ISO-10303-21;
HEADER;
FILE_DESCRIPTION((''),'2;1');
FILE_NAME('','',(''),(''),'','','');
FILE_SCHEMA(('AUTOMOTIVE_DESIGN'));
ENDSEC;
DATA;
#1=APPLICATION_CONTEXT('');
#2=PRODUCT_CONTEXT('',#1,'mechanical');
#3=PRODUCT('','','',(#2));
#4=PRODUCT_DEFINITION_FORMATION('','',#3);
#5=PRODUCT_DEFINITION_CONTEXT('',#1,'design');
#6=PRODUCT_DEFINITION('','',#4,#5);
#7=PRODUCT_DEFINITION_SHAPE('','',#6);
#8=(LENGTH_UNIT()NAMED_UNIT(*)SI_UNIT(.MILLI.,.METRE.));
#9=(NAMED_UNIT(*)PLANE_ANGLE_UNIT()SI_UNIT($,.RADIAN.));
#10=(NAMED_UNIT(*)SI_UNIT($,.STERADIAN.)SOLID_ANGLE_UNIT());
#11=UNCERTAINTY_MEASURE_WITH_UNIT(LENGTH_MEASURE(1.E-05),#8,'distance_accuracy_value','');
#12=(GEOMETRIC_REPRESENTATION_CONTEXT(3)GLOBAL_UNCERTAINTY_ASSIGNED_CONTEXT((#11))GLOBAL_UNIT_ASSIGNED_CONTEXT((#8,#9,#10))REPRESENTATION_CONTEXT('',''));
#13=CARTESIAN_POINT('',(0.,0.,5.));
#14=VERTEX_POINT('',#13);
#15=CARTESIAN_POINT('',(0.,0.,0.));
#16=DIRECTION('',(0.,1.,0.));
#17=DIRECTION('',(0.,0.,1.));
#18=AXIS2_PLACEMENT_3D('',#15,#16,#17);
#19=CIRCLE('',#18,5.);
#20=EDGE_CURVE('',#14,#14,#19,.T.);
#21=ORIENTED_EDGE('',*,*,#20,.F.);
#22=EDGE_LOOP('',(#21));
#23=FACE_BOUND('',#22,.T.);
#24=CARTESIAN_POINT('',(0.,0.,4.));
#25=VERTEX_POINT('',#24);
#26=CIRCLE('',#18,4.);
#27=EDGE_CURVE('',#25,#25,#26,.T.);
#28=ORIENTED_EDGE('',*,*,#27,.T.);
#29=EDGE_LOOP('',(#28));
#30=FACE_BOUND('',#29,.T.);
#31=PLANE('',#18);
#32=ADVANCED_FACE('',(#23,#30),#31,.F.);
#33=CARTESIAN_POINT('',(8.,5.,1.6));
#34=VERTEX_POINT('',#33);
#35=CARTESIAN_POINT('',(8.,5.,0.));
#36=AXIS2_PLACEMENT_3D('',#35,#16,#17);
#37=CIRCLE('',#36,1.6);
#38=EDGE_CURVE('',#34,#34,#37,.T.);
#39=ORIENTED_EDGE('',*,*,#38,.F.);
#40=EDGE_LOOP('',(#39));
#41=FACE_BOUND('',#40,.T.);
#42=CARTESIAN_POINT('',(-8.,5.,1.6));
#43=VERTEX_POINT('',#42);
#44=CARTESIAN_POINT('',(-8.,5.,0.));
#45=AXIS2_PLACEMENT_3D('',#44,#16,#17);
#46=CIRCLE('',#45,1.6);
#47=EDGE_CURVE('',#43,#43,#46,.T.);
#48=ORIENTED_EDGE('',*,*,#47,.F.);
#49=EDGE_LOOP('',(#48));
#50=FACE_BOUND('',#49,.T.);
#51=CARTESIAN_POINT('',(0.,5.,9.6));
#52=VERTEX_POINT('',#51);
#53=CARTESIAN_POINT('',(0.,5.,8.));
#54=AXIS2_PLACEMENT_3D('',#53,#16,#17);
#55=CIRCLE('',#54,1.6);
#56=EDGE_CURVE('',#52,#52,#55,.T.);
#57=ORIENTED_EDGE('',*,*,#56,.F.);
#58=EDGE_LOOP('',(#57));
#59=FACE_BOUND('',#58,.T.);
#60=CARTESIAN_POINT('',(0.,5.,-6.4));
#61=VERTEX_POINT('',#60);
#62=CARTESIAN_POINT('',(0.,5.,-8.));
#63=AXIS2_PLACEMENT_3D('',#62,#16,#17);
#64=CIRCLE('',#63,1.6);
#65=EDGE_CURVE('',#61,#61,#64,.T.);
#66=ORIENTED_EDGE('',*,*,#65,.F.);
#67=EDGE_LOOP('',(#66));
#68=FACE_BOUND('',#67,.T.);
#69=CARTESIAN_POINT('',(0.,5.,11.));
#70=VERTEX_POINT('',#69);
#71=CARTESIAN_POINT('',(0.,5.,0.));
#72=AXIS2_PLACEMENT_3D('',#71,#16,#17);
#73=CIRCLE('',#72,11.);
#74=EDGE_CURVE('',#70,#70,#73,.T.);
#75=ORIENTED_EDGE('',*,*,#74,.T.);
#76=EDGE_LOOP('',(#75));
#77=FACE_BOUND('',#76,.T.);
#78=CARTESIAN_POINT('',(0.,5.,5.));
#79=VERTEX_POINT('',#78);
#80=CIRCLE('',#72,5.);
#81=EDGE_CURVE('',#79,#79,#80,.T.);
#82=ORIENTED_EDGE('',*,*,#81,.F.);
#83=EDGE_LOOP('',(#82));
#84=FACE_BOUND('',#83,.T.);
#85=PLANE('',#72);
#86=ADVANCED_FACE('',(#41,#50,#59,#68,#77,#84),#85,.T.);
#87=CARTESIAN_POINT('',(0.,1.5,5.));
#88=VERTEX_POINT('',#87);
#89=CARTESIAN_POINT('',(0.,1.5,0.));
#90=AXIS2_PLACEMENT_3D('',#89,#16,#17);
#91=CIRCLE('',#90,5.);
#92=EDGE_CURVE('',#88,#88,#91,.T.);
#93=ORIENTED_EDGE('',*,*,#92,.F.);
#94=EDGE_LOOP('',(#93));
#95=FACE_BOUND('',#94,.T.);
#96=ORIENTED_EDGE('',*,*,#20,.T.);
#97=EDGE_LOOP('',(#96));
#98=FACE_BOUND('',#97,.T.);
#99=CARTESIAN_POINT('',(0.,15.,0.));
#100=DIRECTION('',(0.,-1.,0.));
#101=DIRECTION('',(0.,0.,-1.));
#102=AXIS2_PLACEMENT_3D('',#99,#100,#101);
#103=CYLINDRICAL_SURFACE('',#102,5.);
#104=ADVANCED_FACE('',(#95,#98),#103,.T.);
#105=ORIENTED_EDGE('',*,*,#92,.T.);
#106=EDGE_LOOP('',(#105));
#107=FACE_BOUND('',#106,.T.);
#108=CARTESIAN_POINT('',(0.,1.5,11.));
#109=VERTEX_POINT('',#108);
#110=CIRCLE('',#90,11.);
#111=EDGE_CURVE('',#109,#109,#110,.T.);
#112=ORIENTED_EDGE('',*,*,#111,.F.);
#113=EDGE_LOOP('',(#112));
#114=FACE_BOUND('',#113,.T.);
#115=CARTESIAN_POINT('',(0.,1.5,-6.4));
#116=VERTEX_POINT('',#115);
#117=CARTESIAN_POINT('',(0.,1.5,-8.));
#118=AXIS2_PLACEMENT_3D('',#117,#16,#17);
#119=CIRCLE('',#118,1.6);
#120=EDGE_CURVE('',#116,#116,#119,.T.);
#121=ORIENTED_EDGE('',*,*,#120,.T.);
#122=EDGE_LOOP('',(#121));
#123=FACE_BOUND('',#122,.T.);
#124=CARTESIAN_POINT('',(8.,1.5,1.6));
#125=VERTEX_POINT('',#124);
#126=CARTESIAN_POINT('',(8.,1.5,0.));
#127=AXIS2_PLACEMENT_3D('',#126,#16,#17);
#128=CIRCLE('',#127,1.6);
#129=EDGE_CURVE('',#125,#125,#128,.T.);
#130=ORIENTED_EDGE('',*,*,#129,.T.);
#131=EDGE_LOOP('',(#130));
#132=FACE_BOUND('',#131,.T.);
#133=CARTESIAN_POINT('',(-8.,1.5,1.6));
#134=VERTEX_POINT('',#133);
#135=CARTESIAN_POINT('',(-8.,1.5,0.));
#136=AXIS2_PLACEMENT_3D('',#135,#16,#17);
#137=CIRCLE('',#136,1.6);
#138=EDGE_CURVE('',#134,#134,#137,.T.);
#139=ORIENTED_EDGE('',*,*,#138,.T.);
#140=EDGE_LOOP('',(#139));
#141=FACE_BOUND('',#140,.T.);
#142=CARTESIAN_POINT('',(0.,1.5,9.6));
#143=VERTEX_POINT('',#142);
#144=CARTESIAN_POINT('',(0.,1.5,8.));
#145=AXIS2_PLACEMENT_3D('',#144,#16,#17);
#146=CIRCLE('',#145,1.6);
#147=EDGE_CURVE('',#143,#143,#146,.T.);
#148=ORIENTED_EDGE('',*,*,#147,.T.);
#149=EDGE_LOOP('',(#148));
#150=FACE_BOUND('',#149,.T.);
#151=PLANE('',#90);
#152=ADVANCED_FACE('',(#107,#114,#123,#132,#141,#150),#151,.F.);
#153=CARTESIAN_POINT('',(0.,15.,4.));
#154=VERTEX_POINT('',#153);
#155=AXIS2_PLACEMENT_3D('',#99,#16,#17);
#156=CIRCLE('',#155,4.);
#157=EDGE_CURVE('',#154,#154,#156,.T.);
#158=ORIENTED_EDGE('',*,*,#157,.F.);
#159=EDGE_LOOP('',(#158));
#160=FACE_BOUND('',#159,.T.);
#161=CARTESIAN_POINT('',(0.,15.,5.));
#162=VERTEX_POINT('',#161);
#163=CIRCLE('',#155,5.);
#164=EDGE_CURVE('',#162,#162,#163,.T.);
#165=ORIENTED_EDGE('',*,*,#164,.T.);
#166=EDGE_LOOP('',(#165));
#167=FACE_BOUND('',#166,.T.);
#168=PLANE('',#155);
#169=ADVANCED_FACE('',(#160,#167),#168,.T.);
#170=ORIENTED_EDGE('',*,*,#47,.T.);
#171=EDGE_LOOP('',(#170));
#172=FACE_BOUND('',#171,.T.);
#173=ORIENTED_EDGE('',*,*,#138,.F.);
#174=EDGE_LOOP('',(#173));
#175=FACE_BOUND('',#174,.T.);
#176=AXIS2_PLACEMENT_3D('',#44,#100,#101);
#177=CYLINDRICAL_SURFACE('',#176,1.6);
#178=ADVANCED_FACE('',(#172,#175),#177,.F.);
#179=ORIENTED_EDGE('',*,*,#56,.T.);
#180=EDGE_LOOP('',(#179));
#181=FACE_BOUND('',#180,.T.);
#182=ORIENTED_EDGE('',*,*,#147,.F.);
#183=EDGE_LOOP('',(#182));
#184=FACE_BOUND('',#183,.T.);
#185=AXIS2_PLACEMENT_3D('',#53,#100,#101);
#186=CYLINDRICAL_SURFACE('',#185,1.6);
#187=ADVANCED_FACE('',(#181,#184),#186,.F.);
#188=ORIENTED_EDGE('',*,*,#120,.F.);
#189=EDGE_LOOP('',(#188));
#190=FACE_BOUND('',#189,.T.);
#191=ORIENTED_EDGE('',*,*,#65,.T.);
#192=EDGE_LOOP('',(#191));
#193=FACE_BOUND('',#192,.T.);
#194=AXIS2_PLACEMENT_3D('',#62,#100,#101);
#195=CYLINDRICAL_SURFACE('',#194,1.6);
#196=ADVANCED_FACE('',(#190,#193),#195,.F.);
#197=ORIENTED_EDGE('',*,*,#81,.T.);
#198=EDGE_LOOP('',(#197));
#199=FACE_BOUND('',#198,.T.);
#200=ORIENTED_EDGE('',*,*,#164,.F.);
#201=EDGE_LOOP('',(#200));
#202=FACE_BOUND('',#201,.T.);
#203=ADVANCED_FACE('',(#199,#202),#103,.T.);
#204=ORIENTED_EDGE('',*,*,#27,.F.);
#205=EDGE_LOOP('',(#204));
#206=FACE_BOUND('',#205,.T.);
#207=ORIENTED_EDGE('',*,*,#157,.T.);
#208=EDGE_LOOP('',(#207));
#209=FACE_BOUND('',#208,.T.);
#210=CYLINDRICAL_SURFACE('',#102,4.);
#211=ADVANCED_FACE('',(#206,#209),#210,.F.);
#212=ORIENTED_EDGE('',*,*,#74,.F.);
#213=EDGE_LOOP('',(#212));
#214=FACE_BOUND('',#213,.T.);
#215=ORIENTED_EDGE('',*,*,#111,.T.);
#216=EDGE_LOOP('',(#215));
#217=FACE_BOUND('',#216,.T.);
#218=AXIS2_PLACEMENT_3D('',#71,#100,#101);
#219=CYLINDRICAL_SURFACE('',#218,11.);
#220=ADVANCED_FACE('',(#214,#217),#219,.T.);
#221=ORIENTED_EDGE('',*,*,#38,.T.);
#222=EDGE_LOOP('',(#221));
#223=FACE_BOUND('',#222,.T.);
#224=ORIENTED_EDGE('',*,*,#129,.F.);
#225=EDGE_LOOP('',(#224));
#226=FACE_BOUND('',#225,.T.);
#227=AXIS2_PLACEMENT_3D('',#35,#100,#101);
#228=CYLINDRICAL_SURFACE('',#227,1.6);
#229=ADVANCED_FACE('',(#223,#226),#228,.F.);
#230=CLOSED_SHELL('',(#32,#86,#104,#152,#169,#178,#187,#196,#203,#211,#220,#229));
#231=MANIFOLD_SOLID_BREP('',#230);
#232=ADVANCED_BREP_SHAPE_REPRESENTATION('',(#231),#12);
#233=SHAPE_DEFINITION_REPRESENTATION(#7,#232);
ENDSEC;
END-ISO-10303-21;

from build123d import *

# Parameters (mm, degrees)
SKETCH_1_R      = 5
SKETCH_1_R_2    = 4
EXTRUDE_1_DEPTH = 15
EXTRUDE_START   = 1.5
SKETCH_2_R      = 11
SKETCH_2_R_2    = 5
SKETCH_2_R_3    = 1.6
EXTRUDE_2_DEPTH = 3.5


with BuildPart() as part:
    # 草图1 → 凸台-拉伸1 (new body)
    with BuildSketch(Plane(origin=(0, 0, 0), x_dir=(1, 0, 0), z_dir=(0, 1, 0))):
        with Locations(Location((0, 0, 0), (0, 0, 270))):
            Circle(SKETCH_1_R)
        with Locations(Location((0, 0, 0), (0, 0, 270))):
            Circle(SKETCH_1_R_2, mode=Mode.SUBTRACT)
    extrude(amount=EXTRUDE_1_DEPTH)

    # 草图2 → 凸台-拉伸2 (add)
    with BuildSketch(Plane(origin=(0, 0, 0), x_dir=(1, 0, 0), z_dir=(0, 1, 0)).offset(EXTRUDE_START)):
        with Locations(Location((0, 0, 0), (0, 0, 270))):
            Circle(SKETCH_2_R)
        with Locations(Location((0, 0, 0), (0, 0, 270))):
            Circle(SKETCH_2_R_2, mode=Mode.SUBTRACT)
        with Locations(Location((0, 8, 0), (0, 0, 270))):
            Circle(SKETCH_2_R_3, mode=Mode.SUBTRACT)
        with Locations(Location((8, 0, 0), (0, 0, 270))):
            Circle(SKETCH_2_R_3, mode=Mode.SUBTRACT)
        with Locations(Location((0, -8, 0), (0, 0, 270))):
            Circle(SKETCH_2_R_3, mode=Mode.SUBTRACT)
        with Locations(Location((-8, 0, 0), (0, 0, 270))):
            Circle(SKETCH_2_R_3, mode=Mode.SUBTRACT)
    extrude(amount=EXTRUDE_2_DEPTH)


solid = part.part
